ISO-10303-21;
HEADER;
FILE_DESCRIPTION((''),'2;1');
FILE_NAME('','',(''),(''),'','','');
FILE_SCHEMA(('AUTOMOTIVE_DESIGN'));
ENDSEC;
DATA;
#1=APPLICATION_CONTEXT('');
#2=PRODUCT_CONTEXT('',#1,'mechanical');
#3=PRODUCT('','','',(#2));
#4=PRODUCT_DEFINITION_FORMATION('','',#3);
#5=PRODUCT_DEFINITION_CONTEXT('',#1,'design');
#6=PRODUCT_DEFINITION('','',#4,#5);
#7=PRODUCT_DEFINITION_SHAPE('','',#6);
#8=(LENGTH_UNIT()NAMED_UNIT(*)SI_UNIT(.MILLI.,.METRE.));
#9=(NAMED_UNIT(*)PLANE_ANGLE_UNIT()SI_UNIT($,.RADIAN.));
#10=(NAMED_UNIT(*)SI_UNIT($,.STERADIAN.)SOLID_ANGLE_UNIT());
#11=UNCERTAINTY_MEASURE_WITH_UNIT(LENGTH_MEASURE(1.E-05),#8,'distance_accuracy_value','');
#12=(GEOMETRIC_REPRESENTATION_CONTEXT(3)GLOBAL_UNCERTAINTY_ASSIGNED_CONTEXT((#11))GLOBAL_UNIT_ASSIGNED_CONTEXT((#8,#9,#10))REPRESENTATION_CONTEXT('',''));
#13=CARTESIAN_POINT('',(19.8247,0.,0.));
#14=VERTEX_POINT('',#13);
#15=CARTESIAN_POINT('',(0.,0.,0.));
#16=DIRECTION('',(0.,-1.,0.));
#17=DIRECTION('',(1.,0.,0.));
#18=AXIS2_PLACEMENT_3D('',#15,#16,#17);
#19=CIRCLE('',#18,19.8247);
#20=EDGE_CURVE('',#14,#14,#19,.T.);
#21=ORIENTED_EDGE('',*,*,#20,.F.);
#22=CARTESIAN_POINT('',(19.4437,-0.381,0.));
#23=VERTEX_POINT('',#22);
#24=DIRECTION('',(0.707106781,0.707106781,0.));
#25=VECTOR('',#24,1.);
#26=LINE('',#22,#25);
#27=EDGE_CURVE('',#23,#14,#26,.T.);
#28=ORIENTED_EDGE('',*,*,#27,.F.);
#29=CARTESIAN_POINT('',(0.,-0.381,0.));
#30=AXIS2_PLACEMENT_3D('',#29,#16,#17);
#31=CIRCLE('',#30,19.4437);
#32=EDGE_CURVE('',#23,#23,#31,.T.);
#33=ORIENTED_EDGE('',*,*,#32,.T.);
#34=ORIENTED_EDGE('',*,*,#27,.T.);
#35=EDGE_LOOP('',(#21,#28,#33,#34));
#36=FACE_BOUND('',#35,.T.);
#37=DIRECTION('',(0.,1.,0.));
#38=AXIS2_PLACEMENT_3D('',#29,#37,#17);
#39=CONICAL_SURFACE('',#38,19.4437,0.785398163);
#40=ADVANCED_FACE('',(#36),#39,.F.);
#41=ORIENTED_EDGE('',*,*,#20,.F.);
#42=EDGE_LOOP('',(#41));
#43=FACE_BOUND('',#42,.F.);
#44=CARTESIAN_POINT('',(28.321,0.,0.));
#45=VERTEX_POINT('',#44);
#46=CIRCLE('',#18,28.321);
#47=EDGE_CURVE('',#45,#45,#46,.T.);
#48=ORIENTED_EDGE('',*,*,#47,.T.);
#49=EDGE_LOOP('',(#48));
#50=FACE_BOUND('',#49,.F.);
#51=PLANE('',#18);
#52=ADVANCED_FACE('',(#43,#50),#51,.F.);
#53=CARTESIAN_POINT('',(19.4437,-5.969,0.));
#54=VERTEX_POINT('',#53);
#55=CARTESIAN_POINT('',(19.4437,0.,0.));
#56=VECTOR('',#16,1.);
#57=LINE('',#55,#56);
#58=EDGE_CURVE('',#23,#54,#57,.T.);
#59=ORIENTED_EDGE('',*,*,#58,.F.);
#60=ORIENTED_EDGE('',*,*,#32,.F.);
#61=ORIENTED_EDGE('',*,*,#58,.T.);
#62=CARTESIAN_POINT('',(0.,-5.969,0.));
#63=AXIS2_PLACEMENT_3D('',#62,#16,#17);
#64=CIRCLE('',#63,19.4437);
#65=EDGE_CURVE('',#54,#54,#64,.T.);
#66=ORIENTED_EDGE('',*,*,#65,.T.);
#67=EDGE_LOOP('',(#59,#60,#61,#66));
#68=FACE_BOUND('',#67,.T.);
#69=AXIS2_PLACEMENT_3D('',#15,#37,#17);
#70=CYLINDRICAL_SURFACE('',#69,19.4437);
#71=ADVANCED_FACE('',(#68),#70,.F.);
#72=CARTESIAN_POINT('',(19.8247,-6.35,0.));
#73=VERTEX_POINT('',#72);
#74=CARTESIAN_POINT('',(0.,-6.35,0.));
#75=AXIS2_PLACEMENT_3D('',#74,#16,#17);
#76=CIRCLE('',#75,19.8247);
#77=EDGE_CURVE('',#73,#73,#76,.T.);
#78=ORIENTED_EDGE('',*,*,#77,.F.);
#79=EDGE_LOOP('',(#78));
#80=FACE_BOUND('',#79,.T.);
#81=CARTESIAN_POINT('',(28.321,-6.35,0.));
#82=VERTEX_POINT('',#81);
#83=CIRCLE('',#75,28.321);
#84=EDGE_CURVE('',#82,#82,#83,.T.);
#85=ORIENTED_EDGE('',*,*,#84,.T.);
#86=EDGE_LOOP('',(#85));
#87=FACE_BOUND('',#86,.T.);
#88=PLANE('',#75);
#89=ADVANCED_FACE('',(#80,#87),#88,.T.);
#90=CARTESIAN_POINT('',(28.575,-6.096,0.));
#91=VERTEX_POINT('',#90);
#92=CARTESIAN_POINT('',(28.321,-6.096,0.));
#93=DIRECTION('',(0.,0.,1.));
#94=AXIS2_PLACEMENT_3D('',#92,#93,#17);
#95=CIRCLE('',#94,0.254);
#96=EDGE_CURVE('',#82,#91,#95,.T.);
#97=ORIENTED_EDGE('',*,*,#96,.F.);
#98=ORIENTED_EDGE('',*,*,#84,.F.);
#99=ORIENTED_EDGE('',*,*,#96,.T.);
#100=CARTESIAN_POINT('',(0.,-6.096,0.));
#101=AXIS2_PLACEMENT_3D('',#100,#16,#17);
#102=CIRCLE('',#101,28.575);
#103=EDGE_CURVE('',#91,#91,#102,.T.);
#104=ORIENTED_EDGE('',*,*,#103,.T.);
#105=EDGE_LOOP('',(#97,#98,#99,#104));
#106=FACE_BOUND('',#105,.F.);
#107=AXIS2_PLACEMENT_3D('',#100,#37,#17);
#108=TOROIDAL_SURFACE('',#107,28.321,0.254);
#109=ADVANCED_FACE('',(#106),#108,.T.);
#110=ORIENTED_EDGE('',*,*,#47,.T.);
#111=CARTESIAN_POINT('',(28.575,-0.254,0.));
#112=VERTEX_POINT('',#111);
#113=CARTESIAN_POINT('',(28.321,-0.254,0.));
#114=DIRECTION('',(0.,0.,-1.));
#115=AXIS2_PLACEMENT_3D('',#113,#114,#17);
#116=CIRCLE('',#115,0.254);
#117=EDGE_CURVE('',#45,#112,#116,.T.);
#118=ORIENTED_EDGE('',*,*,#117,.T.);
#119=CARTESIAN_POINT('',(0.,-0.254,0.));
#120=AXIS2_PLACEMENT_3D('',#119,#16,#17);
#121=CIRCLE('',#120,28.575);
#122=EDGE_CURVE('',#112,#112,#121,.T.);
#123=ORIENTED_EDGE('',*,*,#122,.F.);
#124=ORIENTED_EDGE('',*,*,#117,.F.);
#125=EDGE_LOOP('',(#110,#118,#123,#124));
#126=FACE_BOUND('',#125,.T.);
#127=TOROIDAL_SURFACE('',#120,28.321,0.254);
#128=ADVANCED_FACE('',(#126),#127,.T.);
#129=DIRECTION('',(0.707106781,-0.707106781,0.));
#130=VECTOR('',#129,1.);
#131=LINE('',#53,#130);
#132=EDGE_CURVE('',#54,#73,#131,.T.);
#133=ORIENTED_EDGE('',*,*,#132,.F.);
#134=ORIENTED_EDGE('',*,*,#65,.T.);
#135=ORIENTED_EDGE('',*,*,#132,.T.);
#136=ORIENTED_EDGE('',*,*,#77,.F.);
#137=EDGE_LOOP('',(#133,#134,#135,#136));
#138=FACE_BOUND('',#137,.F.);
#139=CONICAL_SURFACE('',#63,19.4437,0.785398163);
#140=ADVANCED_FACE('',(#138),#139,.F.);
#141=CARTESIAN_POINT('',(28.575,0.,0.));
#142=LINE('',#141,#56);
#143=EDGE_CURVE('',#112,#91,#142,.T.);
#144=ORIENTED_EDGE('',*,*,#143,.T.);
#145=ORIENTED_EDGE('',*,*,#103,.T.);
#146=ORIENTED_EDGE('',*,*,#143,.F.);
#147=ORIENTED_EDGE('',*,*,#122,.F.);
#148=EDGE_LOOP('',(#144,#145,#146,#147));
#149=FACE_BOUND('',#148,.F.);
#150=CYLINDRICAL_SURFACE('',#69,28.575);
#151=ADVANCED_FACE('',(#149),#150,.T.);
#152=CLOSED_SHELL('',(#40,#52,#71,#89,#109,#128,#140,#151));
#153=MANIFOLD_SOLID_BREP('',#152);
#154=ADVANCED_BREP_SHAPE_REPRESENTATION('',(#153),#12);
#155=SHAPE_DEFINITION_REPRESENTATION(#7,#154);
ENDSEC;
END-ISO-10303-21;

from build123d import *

# Parameters (mm, degrees)
F0_R     = 28.575
F0_R_2   = 19.4437
F1_DEPTH = 6.35
F2_SIZE  = 0.381
F3_R     = 0.254


with BuildPart() as f1:
    # F0 (on Front) → F1 (new body)
    with BuildSketch(Plane.XZ):
        Circle(F0_R)
        Circle(F0_R_2, mode=Mode.SUBTRACT)
    extrude(amount=F1_DEPTH)

    # F2
    f2_edges = [f1.edges().sort_by_distance(p)[0] for p in [
        (-19.4437, -6.35, 0),
        (-19.4437, 0, 0),
    ]]
    chamfer(f2_edges, length=F2_SIZE)

    # F3
    f3_edges = [f1.edges().sort_by_distance(p)[0] for p in [
        (-28.575, 0, 0),
        (-28.575, -6.35, 0),
    ]]
    fillet(f3_edges, radius=F3_R)


solid = f1.part
